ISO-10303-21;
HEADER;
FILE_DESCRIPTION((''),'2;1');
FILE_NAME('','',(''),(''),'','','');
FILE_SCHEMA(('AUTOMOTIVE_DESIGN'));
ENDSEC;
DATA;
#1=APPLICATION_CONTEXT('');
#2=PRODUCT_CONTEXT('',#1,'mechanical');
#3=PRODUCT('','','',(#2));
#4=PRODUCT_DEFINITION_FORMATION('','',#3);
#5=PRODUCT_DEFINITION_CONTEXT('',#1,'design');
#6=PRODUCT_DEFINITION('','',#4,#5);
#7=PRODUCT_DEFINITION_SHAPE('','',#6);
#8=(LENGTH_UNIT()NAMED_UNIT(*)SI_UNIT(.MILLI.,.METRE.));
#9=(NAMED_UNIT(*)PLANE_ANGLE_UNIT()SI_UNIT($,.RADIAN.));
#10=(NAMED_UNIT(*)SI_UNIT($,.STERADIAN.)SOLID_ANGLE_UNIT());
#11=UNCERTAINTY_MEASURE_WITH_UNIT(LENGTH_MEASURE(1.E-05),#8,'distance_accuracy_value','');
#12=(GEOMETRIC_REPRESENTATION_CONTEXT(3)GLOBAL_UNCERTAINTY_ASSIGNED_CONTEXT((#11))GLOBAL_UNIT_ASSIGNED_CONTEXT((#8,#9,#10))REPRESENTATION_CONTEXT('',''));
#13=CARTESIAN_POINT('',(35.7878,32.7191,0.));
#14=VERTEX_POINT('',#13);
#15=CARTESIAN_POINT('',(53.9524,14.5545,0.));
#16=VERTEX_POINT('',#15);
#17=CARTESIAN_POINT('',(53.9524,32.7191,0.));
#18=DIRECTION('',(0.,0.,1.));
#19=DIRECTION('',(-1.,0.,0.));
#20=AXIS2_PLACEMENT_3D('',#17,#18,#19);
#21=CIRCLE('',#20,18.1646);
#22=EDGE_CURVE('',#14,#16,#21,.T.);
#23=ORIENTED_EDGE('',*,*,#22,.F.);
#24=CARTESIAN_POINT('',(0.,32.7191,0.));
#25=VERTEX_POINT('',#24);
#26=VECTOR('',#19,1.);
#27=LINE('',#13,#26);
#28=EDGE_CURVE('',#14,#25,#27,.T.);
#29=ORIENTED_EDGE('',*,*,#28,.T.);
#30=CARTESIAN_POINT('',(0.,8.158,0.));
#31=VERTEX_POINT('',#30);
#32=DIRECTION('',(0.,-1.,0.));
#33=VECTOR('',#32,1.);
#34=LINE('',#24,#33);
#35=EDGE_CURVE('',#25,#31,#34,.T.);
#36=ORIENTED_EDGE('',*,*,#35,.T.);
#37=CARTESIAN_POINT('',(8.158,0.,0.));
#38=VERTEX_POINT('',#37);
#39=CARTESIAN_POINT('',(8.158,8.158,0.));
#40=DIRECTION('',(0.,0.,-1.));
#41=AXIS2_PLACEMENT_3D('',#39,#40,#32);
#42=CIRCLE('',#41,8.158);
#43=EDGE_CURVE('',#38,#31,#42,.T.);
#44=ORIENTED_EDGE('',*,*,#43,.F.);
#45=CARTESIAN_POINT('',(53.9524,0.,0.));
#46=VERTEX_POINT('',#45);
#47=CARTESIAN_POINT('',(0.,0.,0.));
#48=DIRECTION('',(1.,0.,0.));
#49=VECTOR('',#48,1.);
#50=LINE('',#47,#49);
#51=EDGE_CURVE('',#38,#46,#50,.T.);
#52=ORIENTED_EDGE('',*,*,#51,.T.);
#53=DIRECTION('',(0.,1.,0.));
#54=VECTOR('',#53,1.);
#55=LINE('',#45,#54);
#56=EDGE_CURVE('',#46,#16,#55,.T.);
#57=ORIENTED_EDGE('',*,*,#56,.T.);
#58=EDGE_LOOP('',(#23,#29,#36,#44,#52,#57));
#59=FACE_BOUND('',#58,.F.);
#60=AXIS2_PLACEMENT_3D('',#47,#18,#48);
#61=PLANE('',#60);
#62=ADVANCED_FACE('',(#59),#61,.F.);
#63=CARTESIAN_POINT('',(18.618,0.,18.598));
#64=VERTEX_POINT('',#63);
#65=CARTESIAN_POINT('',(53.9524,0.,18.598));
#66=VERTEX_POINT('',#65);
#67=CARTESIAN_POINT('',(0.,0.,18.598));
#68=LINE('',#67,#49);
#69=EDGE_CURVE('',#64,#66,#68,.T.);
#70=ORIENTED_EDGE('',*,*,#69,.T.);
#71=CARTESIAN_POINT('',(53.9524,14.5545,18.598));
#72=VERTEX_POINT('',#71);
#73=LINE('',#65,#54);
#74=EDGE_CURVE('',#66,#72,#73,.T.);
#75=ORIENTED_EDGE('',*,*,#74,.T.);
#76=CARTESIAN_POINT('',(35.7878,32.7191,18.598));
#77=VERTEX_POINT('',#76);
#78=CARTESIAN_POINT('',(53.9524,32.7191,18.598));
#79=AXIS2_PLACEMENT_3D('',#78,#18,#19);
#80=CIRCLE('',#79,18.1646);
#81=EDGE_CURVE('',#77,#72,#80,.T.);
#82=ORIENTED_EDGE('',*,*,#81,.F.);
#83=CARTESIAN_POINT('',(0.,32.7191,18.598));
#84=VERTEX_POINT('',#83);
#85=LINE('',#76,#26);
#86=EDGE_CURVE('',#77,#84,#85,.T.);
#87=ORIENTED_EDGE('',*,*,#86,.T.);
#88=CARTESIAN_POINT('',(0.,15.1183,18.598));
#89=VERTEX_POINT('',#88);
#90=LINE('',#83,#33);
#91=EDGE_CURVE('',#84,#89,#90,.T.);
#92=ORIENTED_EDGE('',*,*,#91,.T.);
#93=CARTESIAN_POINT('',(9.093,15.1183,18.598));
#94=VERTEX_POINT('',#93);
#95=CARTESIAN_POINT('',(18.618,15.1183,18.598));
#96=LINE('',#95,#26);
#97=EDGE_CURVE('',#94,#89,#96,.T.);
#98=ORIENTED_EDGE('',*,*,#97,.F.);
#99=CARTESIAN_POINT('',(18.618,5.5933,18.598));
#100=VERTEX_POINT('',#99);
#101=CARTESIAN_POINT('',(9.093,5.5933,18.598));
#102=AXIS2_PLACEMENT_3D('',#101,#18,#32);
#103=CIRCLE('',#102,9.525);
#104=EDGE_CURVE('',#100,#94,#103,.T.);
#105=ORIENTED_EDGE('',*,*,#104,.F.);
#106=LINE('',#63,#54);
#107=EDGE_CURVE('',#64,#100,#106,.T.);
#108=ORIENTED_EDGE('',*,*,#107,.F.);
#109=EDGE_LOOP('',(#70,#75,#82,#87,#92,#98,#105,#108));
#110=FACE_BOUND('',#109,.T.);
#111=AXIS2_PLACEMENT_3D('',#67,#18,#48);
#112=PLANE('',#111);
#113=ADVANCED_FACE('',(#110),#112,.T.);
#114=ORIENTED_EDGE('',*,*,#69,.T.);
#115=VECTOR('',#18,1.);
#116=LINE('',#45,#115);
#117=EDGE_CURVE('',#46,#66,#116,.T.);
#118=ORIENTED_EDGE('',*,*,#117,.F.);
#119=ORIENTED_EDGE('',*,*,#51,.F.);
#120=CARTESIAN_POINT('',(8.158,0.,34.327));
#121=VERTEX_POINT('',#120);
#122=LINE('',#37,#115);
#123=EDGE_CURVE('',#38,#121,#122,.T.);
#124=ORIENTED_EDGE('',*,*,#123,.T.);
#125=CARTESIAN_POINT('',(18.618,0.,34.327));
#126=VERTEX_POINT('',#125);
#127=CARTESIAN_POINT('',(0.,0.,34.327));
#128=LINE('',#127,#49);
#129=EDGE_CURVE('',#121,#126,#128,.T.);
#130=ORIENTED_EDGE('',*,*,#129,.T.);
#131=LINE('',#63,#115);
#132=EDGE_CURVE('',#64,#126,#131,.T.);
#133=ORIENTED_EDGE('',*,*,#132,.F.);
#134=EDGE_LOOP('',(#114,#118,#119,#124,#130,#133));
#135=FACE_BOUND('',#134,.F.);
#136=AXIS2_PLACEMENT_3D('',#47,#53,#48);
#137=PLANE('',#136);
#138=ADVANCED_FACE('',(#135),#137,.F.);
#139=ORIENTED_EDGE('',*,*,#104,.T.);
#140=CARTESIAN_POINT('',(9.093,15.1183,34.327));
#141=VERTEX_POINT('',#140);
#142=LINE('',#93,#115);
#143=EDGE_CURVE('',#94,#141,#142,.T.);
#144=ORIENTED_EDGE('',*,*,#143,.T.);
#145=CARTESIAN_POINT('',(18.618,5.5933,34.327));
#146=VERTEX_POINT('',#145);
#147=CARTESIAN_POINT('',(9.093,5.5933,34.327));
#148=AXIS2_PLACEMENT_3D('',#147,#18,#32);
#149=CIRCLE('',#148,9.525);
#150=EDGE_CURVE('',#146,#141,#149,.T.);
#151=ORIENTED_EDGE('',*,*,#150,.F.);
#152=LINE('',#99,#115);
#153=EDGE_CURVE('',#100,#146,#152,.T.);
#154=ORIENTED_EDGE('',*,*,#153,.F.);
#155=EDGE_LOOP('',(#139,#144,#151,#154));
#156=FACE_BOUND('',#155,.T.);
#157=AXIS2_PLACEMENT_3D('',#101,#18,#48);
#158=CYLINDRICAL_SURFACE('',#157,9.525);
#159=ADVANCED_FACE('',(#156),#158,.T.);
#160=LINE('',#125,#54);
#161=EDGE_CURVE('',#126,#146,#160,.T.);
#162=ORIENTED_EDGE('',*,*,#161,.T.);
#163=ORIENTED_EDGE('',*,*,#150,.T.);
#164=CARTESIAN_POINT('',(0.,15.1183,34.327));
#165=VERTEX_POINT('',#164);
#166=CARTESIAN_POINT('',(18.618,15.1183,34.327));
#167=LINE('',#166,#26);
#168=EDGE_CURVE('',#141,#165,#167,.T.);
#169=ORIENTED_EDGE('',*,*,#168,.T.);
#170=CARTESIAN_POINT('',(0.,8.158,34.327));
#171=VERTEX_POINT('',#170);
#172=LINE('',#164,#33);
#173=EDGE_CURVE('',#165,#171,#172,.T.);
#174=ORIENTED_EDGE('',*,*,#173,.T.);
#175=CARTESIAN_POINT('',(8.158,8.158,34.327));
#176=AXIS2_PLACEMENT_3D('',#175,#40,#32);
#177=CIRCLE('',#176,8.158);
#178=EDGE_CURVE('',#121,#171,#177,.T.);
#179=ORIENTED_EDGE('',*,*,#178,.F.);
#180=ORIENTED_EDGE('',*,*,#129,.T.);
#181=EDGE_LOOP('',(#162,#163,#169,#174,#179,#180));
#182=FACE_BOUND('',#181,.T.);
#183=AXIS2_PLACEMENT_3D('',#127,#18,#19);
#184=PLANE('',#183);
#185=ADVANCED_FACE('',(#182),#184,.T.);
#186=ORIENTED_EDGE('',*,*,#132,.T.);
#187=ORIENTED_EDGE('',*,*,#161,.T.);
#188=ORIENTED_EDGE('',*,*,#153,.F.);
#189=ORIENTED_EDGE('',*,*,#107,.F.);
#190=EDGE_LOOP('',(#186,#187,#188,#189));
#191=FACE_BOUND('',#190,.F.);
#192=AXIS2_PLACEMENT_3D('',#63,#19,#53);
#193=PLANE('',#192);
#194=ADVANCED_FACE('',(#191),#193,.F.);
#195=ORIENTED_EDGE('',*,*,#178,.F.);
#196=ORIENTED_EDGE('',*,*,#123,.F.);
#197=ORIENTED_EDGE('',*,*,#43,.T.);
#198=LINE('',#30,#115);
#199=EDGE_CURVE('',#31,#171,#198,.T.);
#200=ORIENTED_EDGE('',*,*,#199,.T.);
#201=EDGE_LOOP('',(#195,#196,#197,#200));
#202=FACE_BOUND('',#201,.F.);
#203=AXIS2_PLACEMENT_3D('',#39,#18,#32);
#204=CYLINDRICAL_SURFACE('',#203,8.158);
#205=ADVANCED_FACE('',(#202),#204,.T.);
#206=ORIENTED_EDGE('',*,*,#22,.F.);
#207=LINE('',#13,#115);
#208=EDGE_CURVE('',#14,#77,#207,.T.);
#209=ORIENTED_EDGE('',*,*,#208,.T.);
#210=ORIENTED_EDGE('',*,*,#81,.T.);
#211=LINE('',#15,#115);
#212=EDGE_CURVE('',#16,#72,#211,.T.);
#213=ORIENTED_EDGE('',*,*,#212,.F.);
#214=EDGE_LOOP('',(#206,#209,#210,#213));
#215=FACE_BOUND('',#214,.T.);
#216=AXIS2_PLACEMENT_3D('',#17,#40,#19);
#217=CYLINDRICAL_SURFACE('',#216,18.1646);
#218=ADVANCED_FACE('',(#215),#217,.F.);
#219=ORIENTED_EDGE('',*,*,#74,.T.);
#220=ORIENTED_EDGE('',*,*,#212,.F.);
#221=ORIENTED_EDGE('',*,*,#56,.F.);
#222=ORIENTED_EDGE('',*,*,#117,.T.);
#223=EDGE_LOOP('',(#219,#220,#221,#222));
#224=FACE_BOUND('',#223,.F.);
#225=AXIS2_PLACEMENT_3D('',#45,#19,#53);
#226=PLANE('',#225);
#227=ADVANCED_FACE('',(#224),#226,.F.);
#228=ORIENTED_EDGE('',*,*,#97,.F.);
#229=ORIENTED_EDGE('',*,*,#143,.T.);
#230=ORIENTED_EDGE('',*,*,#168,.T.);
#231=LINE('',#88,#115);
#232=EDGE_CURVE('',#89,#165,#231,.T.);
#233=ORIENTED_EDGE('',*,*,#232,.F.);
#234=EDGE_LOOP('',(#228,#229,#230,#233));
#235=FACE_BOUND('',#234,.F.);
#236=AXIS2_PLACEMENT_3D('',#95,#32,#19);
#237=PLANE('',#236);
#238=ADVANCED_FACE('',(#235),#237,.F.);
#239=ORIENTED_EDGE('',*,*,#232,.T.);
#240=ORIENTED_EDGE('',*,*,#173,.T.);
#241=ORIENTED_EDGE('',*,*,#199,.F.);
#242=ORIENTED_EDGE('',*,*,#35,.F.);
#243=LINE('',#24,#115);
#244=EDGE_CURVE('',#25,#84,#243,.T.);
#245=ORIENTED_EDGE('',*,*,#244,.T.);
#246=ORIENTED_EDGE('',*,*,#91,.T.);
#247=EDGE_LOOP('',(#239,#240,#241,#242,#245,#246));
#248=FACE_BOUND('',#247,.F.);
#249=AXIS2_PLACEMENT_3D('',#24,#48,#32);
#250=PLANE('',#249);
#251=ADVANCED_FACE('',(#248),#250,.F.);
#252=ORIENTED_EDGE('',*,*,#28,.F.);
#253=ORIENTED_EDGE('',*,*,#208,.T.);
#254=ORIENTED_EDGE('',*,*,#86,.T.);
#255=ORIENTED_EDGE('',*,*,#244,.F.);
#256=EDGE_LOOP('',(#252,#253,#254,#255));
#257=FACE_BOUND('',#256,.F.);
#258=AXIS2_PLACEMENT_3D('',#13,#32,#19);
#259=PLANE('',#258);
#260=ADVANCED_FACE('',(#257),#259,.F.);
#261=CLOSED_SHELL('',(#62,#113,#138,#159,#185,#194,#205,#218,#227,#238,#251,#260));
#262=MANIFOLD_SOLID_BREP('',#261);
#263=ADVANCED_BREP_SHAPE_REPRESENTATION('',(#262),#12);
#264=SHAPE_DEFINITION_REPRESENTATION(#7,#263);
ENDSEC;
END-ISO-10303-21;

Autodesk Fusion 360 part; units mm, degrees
sketch "Sketch1" plane through (0, 0, 0) normal (0, 0, 1) x (1, 0, 0)
  line L0 (0, 0) -> (53.9524, 0)
  line L1 (53.9524, 0) -> (53.9524, 14.5545)
  line L2 (35.7878, 32.7191) -> (0, 32.7191)
  line L3 (0, 32.7191) -> (0, 0)
  arc A0 (35.7878, 32.7191) -> (53.9524, 14.5545) centre (53.9524, 32.7191) ccw
extrude "Extrude1" add sketch "Sketch1" along normal blind 18.598
sketch "Sketch2" plane through (0, 0, 18.598) normal (0, 0, 1) x (-1, 0, 0)
  line L0 (0, 0) -> (-18.618, 0)
  line L1 (-18.618, 0) -> (-18.618, -15.1183)
  line L2 (-18.618, -15.1183) -> (0, -15.1183)
  line L3 (0, -15.1183) -> (0, 0)
extrude "Extrude2" add sketch "Sketch2" along normal blind 15.729
fillet "Fillet1" radius 9.525 1 edges at (18.618, 15.1183, 26.4625)
fillet "Fillet2" radius 8.158 1 edges at (0, 0, 17.1635)
ref_plane "WorkPlane1" through (0, 0, 45.086) normal (0, 0, 1) x (1, 0, 0)
